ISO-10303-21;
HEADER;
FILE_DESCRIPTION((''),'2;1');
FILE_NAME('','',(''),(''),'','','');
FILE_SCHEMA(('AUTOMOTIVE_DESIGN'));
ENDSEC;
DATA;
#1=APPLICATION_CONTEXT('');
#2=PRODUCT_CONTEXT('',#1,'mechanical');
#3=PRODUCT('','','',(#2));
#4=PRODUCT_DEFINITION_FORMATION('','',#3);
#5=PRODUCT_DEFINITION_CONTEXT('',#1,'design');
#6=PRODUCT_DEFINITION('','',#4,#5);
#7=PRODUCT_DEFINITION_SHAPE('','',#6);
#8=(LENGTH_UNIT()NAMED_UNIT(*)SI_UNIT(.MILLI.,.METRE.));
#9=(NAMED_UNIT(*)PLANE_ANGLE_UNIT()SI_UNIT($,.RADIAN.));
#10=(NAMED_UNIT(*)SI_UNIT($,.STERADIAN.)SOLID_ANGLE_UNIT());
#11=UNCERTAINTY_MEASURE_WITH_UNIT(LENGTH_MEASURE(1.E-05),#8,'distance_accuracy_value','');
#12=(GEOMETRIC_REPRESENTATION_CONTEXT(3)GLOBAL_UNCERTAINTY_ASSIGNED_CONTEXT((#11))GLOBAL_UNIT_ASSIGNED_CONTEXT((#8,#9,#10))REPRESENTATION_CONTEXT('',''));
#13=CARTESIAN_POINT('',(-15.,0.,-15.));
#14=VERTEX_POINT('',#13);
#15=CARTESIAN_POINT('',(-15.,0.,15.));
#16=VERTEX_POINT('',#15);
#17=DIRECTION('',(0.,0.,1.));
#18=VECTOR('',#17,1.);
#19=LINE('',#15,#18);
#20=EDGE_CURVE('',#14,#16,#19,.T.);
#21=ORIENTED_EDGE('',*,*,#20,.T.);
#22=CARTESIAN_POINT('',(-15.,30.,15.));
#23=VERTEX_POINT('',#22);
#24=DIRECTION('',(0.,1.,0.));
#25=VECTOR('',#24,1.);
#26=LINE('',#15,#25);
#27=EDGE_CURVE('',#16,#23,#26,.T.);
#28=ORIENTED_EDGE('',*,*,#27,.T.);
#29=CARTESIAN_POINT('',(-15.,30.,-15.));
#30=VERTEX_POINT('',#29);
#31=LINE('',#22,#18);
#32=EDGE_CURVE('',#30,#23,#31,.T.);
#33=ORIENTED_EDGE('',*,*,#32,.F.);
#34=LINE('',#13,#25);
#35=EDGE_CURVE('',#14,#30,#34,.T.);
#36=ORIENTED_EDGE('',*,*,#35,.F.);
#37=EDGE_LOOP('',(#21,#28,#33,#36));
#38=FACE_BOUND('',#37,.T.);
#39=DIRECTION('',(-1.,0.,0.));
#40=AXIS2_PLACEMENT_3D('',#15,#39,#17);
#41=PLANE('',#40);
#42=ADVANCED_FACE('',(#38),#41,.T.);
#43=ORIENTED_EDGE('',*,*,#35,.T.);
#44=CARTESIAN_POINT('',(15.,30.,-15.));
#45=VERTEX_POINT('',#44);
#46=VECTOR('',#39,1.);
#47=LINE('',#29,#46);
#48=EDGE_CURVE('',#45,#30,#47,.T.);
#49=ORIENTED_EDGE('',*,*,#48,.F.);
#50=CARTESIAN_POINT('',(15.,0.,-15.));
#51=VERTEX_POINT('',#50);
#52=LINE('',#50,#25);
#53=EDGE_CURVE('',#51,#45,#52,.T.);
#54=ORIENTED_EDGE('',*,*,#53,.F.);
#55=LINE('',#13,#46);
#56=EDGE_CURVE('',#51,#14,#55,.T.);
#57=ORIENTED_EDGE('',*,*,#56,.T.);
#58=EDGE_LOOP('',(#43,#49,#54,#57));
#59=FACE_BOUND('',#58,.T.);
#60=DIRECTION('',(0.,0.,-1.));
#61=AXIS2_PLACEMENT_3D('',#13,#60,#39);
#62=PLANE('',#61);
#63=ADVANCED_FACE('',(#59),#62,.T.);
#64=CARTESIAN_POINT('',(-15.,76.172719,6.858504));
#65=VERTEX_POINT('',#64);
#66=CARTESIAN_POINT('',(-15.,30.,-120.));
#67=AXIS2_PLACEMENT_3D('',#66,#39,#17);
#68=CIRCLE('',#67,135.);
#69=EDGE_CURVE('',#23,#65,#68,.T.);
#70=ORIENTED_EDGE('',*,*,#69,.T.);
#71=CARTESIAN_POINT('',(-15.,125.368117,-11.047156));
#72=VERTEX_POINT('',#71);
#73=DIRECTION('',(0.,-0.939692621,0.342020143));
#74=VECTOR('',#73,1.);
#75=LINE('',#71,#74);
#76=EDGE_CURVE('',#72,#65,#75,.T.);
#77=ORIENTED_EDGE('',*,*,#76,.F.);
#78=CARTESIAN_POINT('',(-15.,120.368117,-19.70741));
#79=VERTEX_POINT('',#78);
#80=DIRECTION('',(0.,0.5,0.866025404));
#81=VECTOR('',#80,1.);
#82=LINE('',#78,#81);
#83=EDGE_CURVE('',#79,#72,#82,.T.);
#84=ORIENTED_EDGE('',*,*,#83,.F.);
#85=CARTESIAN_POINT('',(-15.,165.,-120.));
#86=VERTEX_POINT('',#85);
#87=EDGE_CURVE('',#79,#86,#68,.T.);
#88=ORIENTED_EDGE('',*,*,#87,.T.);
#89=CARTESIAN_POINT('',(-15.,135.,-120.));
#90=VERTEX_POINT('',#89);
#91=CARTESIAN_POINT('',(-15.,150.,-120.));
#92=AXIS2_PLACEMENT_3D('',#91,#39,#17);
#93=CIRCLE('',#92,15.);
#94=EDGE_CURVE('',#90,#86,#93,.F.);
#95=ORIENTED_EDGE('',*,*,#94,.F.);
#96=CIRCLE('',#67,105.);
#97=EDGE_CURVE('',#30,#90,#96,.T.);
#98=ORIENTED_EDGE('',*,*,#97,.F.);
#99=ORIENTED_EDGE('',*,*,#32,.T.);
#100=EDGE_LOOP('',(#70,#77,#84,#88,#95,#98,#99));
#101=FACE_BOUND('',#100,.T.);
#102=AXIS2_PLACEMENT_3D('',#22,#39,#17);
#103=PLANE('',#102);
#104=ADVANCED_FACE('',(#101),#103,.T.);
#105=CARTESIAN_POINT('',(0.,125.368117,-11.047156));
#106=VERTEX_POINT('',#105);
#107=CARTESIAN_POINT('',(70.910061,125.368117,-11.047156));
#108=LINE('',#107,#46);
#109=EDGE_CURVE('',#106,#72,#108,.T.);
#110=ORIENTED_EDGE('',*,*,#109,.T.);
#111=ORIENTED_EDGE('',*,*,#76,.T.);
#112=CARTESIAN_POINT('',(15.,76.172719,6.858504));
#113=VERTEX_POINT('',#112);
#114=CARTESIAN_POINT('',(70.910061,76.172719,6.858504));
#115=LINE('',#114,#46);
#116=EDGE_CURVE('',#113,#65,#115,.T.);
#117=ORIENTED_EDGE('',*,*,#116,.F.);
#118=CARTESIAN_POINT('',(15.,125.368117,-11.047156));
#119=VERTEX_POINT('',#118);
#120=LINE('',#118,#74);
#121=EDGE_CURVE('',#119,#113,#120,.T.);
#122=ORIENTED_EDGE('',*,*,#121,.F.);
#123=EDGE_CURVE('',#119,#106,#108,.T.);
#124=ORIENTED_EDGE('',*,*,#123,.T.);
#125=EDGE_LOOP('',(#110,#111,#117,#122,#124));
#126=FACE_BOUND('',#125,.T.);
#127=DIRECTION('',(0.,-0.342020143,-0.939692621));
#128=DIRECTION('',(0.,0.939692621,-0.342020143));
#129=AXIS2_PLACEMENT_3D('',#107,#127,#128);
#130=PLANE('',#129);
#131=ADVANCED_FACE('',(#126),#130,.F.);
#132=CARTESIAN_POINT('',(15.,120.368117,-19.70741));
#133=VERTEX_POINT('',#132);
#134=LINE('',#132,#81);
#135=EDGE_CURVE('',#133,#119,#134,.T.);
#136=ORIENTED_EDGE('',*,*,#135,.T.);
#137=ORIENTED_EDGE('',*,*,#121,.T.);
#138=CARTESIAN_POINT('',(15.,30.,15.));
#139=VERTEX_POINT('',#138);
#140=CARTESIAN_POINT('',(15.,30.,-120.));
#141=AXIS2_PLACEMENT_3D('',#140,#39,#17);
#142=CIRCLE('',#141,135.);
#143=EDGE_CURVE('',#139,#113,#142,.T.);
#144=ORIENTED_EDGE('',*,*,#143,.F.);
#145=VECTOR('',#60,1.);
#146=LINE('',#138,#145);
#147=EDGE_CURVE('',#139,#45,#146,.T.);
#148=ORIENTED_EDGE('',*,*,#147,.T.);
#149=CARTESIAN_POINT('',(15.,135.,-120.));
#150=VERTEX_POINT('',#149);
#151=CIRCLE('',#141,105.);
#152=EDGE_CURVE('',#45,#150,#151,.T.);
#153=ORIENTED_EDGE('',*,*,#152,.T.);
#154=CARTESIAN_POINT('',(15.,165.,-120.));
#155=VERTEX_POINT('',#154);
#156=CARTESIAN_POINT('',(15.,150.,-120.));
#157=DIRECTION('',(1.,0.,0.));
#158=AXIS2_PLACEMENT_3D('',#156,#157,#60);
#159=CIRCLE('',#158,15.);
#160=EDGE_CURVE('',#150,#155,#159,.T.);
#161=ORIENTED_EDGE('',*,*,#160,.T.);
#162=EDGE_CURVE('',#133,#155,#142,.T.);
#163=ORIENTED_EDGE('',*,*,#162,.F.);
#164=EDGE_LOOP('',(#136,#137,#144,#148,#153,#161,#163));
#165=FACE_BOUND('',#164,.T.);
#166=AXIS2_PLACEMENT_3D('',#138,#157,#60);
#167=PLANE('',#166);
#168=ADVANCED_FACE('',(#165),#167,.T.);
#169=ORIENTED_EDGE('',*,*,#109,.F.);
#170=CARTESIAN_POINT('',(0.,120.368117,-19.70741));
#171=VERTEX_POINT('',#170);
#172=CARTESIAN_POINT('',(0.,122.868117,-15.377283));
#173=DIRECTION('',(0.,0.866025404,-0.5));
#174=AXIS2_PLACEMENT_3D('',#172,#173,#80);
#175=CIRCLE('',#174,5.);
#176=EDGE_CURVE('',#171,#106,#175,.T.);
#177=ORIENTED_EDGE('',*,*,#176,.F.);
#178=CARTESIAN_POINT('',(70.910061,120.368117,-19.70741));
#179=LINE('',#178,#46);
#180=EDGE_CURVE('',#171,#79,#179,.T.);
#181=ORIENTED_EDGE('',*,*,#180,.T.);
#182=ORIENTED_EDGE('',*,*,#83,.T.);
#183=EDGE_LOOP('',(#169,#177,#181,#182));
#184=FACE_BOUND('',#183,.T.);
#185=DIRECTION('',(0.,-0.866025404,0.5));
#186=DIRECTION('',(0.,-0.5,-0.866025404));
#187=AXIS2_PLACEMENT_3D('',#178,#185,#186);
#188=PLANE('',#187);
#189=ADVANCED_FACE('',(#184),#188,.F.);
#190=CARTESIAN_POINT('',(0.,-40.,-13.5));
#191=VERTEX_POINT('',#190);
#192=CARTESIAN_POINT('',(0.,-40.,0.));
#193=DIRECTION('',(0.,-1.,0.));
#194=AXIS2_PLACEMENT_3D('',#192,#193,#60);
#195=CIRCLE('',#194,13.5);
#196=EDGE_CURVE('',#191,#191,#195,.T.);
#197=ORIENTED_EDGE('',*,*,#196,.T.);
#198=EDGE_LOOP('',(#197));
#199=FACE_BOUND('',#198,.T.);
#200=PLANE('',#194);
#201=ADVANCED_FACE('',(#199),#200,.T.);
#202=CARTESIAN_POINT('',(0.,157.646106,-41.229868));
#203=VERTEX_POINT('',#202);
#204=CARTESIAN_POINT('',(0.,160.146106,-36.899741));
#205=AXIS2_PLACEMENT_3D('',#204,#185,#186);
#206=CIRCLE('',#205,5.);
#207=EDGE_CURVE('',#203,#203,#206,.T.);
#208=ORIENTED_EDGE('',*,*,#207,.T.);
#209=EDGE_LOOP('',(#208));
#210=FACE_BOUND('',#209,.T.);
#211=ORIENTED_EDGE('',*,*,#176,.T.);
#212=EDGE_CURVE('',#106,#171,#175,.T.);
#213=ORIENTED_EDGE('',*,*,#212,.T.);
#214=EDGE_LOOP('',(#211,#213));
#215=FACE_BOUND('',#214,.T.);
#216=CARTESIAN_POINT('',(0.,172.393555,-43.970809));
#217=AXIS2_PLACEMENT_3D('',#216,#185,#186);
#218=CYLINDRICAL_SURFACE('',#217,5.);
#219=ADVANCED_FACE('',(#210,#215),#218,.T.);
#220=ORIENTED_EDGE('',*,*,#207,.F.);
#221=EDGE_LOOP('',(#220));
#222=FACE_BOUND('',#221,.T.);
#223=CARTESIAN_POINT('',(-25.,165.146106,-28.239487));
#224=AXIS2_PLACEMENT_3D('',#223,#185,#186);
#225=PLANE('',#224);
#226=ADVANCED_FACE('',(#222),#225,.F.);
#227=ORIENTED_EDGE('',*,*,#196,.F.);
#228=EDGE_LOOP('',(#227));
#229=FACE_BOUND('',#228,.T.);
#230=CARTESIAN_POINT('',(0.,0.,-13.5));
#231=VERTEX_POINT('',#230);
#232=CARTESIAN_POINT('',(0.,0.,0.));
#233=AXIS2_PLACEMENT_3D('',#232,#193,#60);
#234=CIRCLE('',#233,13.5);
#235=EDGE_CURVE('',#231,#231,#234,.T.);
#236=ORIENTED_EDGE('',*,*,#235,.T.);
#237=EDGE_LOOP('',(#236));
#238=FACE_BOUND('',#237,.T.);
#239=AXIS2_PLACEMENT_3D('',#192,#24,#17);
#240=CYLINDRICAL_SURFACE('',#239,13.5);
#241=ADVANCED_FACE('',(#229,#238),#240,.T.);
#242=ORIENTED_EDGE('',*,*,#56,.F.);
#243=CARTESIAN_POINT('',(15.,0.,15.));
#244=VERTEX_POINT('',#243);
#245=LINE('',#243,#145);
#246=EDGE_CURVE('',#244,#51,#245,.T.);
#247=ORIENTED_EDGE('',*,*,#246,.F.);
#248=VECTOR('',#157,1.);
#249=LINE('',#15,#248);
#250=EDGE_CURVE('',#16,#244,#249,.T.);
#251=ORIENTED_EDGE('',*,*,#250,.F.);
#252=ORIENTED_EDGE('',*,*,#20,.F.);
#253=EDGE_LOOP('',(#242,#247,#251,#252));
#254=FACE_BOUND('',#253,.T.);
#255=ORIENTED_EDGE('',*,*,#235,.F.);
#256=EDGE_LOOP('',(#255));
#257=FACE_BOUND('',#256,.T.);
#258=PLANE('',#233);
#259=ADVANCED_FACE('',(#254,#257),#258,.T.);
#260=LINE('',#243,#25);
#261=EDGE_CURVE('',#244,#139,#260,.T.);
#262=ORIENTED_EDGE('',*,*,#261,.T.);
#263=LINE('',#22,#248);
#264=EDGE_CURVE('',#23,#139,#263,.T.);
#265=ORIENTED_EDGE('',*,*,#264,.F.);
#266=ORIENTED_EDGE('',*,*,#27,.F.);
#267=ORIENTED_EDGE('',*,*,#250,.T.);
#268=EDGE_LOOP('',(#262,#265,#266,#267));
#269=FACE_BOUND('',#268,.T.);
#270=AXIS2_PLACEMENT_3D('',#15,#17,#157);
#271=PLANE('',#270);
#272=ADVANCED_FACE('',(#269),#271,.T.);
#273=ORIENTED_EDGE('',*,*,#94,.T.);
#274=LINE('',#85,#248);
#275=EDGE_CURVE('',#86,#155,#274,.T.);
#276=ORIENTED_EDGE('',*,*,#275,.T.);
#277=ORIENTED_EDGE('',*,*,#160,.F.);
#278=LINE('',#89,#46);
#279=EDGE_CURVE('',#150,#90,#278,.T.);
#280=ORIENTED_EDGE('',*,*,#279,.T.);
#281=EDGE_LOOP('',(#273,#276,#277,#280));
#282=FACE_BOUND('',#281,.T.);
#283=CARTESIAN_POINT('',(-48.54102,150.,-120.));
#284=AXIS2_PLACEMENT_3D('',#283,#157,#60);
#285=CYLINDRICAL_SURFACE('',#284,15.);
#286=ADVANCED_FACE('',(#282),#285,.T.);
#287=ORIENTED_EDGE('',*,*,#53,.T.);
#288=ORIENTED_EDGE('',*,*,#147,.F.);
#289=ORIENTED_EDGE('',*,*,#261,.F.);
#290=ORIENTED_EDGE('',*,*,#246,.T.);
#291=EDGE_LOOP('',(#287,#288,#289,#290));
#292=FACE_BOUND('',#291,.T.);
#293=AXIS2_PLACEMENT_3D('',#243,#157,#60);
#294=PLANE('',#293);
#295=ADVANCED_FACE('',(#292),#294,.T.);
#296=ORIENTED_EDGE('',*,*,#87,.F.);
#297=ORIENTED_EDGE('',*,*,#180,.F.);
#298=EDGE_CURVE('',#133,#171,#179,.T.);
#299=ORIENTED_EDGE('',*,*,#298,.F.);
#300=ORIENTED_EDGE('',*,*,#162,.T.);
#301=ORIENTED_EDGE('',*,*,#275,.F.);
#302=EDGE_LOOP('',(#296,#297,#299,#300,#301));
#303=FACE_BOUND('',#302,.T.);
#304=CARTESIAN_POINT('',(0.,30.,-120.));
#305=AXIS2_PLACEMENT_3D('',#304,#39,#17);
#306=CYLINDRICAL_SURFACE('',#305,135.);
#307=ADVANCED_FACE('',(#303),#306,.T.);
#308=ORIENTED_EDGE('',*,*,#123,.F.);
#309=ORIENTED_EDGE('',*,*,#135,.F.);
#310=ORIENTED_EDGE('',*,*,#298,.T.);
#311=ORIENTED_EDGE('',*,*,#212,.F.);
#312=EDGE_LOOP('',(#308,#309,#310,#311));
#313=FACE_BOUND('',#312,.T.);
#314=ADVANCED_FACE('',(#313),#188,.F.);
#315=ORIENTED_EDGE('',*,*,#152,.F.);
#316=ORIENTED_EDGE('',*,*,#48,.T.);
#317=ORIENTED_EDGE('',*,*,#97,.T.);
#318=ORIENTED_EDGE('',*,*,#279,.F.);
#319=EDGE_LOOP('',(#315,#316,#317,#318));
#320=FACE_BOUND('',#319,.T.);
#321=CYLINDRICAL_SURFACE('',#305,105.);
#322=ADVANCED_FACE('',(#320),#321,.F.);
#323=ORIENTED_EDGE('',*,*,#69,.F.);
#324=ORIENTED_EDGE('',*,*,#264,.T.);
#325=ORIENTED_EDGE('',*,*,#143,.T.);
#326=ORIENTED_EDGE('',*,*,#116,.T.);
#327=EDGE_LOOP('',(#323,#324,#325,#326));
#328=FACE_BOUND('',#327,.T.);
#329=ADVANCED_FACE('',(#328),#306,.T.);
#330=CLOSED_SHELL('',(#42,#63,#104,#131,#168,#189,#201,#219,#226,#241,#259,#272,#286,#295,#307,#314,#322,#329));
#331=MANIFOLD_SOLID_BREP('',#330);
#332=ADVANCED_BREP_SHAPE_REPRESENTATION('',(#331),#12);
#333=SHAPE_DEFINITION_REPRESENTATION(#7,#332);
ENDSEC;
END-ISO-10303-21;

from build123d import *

# Parameters (mm, degrees)
SKETCH2_W           = 30
SKETCH2_H           = 30
SKETCH3_R           = 13.5
BOSS_EXTRUDE1_DEPTH = 40
BOSS_EXTRUDE2_DEPTH = 30
BOSS_EXTRUDE3_START = -15
BOSS_EXTRUDE3_DEPTH = 30
SKETCH6_R           = 5
BOSS_EXTRUDE4_DEPTH = 43.044915


with BuildPart() as part:
    # Sweep1: sweep along a path in Sketch1
    with BuildLine(Plane(origin=(0, 0, 0), x_dir=(0, 0, -1), z_dir=(1, 0, 0))) as sweep1_path:
        Line((0, 0), (0, 30))
        ThreePointArc((0, 30), (35.147186258, 114.852813742), (120, 150))
    # Sketch2 → Sweep1 (sweep)
    with BuildSketch(Plane(origin=(0, 0, 0), x_dir=(1, 0, 0), z_dir=(0, 1, 0))):
        Rectangle(SKETCH2_W, SKETCH2_H)
    sweep(path=sweep1_path.line)

    # Sketch3 → Boss-Extrude1 (add)
    with BuildSketch(Plane.XZ):
        Circle(SKETCH3_R)
    extrude(amount=BOSS_EXTRUDE1_DEPTH)

    # Sketch4 → Boss-Extrude2 (add)
    with BuildSketch(Plane(origin=(15, 0, 0), x_dir=(0, 0, -1), z_dir=(1, 0, 0))):
        with BuildLine():
            Line((120, 165), (120, 135))
            ThreePointArc((120, 135), (135, 150), (120, 165))
        make_face()
    extrude(amount=-BOSS_EXTRUDE2_DEPTH)

    # Sketch5 → Boss-Extrude3 (add)
    with BuildSketch(Plane(origin=(0, 0, 0), x_dir=(0, 0, -1), z_dir=(1, 0, 0)).offset(BOSS_EXTRUDE3_START)):
        with BuildLine():
            Line((19.707410468, 120.368116529), (11.04715643, 125.368116529))
            Line((11.04715643, 125.368116529), (-6.858503806, 76.172719349))
            ThreePointArc((-6.858503806, 76.172719349), (4.294714537, 99.550606869), (19.707410468, 120.368116529))
        make_face()
    extrude(amount=BOSS_EXTRUDE3_DEPTH)

    # Sketch6 → Boss-Extrude4 (add)
    with BuildSketch(Plane(origin=(0, 98.809646451, -57.047775977), x_dir=(1, 0, 0), z_dir=(0, 0.866025404, -0.5))):
        with Locations((0, -48.116940156)):
            Circle(SKETCH6_R)
    extrude(amount=BOSS_EXTRUDE4_DEPTH)


solid = part.part
